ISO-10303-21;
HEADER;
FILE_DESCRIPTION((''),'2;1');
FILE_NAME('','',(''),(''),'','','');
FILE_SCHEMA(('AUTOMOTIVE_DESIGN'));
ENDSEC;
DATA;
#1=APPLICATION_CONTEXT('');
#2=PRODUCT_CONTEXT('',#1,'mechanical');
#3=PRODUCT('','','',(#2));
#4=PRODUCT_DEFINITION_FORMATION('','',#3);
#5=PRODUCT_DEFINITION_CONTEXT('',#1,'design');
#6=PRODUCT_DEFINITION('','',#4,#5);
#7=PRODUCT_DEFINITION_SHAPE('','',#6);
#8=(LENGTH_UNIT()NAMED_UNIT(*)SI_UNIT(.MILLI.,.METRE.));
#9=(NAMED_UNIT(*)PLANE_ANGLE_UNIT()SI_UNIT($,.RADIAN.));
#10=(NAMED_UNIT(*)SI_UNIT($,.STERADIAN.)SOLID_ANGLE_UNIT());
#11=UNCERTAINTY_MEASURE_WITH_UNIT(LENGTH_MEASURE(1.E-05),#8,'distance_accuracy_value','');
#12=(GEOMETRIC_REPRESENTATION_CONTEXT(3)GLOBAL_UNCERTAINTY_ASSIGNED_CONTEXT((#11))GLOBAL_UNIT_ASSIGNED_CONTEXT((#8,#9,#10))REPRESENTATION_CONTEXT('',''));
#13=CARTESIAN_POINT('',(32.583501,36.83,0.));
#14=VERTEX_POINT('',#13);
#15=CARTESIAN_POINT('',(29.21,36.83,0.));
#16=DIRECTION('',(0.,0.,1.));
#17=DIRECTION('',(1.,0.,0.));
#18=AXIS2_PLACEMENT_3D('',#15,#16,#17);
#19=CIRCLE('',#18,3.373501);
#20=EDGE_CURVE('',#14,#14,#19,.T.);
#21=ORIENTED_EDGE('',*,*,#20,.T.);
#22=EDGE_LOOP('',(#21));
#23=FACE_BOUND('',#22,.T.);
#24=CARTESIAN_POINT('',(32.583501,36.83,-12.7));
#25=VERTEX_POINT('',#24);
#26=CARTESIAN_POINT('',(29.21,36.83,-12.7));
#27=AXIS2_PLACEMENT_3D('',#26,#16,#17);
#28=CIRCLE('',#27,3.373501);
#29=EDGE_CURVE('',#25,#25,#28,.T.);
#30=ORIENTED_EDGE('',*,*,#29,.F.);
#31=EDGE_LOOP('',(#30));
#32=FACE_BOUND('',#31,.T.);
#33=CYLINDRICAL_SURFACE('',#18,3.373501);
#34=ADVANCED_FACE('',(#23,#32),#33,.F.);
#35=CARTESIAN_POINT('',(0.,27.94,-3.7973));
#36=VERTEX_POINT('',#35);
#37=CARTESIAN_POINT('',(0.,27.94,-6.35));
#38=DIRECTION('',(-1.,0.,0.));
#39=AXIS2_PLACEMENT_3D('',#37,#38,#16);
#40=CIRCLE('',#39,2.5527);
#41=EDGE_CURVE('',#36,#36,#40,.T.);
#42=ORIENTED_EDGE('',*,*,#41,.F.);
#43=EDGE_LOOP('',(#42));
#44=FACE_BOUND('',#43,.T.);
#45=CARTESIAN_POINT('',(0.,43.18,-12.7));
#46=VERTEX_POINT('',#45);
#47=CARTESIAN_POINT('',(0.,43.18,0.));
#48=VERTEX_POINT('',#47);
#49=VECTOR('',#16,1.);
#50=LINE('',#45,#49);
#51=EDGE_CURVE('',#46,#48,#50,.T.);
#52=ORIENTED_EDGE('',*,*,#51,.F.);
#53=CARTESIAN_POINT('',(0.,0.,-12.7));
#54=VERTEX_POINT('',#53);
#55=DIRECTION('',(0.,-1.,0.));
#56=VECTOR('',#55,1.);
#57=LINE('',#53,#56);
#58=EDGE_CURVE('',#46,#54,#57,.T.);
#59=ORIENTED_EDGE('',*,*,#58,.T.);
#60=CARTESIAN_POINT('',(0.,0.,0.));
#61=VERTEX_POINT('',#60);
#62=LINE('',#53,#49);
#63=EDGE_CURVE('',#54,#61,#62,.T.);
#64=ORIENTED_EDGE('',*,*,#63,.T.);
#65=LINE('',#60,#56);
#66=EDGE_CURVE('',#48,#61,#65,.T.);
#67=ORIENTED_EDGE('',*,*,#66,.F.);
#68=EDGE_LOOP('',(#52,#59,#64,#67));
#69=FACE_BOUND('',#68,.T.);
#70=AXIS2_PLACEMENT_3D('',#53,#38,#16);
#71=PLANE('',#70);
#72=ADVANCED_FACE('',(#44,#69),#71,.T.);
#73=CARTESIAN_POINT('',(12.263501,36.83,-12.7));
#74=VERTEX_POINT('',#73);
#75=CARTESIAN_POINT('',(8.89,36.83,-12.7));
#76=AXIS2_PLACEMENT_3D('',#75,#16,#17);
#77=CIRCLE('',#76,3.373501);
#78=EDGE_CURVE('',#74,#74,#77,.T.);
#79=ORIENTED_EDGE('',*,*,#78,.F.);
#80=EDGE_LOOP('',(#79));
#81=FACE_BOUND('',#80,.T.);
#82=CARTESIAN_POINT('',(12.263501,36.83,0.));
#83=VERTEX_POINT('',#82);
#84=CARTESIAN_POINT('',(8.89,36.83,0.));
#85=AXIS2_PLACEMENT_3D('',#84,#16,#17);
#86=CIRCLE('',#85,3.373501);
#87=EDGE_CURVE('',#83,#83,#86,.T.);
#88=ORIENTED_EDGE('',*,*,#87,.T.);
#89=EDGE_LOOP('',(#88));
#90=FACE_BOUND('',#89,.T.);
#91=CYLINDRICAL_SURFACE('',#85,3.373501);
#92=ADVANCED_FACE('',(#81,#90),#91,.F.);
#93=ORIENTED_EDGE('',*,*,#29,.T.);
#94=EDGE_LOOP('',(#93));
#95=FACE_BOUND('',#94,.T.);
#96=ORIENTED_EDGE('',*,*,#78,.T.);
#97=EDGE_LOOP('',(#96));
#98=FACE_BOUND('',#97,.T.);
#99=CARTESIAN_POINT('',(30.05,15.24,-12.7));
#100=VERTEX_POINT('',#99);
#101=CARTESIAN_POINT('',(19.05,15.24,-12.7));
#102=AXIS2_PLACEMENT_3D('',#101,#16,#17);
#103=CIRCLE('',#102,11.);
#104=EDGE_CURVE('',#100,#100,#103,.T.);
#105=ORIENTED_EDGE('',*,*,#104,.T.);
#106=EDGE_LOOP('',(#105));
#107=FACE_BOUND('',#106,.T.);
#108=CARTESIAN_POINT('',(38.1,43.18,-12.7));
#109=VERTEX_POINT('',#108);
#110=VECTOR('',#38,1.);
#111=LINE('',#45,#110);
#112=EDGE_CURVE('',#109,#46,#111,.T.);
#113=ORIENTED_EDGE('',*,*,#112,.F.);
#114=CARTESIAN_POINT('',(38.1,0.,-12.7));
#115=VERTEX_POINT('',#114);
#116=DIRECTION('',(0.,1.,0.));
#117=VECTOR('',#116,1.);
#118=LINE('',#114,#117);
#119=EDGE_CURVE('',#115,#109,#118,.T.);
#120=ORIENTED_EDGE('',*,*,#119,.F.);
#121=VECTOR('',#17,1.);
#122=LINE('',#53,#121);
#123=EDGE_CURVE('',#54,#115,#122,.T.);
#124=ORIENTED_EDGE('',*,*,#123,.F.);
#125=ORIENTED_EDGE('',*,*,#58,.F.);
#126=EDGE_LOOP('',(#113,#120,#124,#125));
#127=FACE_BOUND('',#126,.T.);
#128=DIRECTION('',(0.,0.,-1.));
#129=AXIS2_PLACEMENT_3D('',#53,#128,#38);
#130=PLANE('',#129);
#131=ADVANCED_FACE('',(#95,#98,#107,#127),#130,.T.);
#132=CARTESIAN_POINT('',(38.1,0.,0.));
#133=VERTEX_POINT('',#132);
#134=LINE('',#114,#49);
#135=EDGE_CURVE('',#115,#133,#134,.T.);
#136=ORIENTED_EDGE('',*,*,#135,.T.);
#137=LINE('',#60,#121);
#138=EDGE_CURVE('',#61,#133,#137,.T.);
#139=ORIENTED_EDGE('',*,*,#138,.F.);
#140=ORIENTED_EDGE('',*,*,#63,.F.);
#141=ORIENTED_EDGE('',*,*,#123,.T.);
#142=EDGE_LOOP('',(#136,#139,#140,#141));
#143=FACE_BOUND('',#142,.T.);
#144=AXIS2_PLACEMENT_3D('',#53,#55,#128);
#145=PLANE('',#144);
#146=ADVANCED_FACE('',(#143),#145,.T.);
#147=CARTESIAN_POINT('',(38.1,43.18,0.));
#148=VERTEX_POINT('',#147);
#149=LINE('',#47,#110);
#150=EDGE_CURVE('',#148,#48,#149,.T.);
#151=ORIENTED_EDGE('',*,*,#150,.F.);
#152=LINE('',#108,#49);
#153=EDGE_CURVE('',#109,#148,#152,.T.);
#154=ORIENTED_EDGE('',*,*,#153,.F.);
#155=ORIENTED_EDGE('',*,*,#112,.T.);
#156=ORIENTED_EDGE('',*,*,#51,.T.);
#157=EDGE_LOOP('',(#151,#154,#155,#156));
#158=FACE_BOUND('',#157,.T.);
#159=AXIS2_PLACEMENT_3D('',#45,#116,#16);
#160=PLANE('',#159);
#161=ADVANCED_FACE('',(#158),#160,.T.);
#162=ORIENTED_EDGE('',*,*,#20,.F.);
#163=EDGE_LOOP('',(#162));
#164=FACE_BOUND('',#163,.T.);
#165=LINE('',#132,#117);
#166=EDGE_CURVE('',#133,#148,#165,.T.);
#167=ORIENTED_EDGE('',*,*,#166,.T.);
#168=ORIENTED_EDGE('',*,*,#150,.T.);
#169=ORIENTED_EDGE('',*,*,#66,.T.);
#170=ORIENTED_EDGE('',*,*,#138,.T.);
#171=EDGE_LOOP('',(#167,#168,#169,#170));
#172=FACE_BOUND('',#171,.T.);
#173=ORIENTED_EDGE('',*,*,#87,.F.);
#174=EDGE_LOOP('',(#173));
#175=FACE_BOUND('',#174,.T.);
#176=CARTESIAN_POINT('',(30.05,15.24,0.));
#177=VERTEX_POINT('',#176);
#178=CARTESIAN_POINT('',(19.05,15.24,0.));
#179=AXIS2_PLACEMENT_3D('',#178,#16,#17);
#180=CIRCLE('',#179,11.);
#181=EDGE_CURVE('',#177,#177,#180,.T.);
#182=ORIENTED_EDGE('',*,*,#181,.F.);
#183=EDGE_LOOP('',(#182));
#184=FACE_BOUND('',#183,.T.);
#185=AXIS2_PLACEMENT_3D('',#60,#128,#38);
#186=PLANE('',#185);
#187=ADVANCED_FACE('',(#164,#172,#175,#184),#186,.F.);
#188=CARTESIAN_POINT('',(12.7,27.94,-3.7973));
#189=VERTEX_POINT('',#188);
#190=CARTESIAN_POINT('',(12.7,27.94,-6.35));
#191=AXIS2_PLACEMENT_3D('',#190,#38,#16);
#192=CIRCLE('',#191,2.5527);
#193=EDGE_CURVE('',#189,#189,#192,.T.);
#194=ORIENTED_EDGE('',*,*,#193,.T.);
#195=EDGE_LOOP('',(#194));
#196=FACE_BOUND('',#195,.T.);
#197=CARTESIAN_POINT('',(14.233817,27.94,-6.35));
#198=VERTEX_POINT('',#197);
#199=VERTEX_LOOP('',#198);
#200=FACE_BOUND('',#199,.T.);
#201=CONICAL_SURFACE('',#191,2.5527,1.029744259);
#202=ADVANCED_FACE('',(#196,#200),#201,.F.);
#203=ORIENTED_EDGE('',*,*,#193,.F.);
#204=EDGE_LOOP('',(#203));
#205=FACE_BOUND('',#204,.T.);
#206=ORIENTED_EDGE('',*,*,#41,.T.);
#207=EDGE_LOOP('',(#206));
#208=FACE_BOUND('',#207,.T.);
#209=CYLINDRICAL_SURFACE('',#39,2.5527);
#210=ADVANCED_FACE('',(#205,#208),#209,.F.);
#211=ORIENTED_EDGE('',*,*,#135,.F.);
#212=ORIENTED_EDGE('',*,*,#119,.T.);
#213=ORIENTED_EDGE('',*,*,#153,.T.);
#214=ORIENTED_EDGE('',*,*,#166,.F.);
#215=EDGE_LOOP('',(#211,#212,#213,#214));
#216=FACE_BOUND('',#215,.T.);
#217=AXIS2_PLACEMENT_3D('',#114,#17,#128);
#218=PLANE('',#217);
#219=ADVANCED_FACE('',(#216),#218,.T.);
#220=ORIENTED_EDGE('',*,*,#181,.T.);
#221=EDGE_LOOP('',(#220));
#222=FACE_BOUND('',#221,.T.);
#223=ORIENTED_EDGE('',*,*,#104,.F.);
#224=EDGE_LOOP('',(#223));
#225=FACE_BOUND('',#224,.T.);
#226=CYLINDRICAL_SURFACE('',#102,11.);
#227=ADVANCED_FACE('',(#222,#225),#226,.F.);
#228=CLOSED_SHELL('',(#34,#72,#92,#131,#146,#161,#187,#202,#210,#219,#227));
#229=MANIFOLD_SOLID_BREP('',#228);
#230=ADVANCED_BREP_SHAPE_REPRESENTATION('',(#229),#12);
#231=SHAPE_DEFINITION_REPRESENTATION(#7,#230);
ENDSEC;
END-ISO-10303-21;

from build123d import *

# Parameters (mm, degrees)
SKETCH1_W                        = 38.1
SKETCH1_H                        = 43.18
BOSS_EXTRUDE1_DEPTH              = 12.7
SKETCH3_R                        = 11
CUT_EXTRUDE1_DEPTH               = 13.7
F_17_64_0_26563_DIAMETER_HOLE1_D = 6.747002
F_1_4_20_TAPPED_HOLE2_D          = 5.1054
F_1_4_20_TAPPED_HOLE2_DEPTH      = 12.7
F_1_4_20_TAPPED_HOLE2_TIP        = 1.533816902


with BuildPart() as part:
    # Sketch1 → Boss-Extrude1 (new body)
    with BuildSketch(Plane.XY):
        with Locations((19.05, 21.59)):
            Rectangle(SKETCH1_W, SKETCH1_H)
    extrude(amount=-BOSS_EXTRUDE1_DEPTH)

    # Sketch3 → Cut-Extrude1 (cut, through all)
    with BuildSketch(Plane.XY):
        with Locations((19.05, 15.24)):
            Circle(SKETCH3_R)
    extrude(amount=-CUT_EXTRUDE1_DEPTH, mode=Mode.SUBTRACT)

    # 17/64 (0.26563) Diameter Hole1 (through all)
    with Locations(Plane(origin=(29.21, 36.83, 0), x_dir=(1, 0, 0), z_dir=(0, 0, 1))):
        with Locations((0, 0), (-20.32, 0)):
            Hole(F_17_64_0_26563_DIAMETER_HOLE1_D / 2)

    # 1/4-20 Tapped Hole2
    with Locations(Plane(origin=(0, 27.94, -6.35), x_dir=(0, 0, -1), z_dir=(-1, 0, 0))):
        with Locations((0, 0)):
            Hole(F_1_4_20_TAPPED_HOLE2_D / 2, depth=F_1_4_20_TAPPED_HOLE2_DEPTH)
            with Locations((0, 0, -(F_1_4_20_TAPPED_HOLE2_DEPTH + F_1_4_20_TAPPED_HOLE2_TIP / 2))):  # 118° drill point
                Cone(0, F_1_4_20_TAPPED_HOLE2_D / 2, F_1_4_20_TAPPED_HOLE2_TIP, mode=Mode.SUBTRACT)


solid = part.part
